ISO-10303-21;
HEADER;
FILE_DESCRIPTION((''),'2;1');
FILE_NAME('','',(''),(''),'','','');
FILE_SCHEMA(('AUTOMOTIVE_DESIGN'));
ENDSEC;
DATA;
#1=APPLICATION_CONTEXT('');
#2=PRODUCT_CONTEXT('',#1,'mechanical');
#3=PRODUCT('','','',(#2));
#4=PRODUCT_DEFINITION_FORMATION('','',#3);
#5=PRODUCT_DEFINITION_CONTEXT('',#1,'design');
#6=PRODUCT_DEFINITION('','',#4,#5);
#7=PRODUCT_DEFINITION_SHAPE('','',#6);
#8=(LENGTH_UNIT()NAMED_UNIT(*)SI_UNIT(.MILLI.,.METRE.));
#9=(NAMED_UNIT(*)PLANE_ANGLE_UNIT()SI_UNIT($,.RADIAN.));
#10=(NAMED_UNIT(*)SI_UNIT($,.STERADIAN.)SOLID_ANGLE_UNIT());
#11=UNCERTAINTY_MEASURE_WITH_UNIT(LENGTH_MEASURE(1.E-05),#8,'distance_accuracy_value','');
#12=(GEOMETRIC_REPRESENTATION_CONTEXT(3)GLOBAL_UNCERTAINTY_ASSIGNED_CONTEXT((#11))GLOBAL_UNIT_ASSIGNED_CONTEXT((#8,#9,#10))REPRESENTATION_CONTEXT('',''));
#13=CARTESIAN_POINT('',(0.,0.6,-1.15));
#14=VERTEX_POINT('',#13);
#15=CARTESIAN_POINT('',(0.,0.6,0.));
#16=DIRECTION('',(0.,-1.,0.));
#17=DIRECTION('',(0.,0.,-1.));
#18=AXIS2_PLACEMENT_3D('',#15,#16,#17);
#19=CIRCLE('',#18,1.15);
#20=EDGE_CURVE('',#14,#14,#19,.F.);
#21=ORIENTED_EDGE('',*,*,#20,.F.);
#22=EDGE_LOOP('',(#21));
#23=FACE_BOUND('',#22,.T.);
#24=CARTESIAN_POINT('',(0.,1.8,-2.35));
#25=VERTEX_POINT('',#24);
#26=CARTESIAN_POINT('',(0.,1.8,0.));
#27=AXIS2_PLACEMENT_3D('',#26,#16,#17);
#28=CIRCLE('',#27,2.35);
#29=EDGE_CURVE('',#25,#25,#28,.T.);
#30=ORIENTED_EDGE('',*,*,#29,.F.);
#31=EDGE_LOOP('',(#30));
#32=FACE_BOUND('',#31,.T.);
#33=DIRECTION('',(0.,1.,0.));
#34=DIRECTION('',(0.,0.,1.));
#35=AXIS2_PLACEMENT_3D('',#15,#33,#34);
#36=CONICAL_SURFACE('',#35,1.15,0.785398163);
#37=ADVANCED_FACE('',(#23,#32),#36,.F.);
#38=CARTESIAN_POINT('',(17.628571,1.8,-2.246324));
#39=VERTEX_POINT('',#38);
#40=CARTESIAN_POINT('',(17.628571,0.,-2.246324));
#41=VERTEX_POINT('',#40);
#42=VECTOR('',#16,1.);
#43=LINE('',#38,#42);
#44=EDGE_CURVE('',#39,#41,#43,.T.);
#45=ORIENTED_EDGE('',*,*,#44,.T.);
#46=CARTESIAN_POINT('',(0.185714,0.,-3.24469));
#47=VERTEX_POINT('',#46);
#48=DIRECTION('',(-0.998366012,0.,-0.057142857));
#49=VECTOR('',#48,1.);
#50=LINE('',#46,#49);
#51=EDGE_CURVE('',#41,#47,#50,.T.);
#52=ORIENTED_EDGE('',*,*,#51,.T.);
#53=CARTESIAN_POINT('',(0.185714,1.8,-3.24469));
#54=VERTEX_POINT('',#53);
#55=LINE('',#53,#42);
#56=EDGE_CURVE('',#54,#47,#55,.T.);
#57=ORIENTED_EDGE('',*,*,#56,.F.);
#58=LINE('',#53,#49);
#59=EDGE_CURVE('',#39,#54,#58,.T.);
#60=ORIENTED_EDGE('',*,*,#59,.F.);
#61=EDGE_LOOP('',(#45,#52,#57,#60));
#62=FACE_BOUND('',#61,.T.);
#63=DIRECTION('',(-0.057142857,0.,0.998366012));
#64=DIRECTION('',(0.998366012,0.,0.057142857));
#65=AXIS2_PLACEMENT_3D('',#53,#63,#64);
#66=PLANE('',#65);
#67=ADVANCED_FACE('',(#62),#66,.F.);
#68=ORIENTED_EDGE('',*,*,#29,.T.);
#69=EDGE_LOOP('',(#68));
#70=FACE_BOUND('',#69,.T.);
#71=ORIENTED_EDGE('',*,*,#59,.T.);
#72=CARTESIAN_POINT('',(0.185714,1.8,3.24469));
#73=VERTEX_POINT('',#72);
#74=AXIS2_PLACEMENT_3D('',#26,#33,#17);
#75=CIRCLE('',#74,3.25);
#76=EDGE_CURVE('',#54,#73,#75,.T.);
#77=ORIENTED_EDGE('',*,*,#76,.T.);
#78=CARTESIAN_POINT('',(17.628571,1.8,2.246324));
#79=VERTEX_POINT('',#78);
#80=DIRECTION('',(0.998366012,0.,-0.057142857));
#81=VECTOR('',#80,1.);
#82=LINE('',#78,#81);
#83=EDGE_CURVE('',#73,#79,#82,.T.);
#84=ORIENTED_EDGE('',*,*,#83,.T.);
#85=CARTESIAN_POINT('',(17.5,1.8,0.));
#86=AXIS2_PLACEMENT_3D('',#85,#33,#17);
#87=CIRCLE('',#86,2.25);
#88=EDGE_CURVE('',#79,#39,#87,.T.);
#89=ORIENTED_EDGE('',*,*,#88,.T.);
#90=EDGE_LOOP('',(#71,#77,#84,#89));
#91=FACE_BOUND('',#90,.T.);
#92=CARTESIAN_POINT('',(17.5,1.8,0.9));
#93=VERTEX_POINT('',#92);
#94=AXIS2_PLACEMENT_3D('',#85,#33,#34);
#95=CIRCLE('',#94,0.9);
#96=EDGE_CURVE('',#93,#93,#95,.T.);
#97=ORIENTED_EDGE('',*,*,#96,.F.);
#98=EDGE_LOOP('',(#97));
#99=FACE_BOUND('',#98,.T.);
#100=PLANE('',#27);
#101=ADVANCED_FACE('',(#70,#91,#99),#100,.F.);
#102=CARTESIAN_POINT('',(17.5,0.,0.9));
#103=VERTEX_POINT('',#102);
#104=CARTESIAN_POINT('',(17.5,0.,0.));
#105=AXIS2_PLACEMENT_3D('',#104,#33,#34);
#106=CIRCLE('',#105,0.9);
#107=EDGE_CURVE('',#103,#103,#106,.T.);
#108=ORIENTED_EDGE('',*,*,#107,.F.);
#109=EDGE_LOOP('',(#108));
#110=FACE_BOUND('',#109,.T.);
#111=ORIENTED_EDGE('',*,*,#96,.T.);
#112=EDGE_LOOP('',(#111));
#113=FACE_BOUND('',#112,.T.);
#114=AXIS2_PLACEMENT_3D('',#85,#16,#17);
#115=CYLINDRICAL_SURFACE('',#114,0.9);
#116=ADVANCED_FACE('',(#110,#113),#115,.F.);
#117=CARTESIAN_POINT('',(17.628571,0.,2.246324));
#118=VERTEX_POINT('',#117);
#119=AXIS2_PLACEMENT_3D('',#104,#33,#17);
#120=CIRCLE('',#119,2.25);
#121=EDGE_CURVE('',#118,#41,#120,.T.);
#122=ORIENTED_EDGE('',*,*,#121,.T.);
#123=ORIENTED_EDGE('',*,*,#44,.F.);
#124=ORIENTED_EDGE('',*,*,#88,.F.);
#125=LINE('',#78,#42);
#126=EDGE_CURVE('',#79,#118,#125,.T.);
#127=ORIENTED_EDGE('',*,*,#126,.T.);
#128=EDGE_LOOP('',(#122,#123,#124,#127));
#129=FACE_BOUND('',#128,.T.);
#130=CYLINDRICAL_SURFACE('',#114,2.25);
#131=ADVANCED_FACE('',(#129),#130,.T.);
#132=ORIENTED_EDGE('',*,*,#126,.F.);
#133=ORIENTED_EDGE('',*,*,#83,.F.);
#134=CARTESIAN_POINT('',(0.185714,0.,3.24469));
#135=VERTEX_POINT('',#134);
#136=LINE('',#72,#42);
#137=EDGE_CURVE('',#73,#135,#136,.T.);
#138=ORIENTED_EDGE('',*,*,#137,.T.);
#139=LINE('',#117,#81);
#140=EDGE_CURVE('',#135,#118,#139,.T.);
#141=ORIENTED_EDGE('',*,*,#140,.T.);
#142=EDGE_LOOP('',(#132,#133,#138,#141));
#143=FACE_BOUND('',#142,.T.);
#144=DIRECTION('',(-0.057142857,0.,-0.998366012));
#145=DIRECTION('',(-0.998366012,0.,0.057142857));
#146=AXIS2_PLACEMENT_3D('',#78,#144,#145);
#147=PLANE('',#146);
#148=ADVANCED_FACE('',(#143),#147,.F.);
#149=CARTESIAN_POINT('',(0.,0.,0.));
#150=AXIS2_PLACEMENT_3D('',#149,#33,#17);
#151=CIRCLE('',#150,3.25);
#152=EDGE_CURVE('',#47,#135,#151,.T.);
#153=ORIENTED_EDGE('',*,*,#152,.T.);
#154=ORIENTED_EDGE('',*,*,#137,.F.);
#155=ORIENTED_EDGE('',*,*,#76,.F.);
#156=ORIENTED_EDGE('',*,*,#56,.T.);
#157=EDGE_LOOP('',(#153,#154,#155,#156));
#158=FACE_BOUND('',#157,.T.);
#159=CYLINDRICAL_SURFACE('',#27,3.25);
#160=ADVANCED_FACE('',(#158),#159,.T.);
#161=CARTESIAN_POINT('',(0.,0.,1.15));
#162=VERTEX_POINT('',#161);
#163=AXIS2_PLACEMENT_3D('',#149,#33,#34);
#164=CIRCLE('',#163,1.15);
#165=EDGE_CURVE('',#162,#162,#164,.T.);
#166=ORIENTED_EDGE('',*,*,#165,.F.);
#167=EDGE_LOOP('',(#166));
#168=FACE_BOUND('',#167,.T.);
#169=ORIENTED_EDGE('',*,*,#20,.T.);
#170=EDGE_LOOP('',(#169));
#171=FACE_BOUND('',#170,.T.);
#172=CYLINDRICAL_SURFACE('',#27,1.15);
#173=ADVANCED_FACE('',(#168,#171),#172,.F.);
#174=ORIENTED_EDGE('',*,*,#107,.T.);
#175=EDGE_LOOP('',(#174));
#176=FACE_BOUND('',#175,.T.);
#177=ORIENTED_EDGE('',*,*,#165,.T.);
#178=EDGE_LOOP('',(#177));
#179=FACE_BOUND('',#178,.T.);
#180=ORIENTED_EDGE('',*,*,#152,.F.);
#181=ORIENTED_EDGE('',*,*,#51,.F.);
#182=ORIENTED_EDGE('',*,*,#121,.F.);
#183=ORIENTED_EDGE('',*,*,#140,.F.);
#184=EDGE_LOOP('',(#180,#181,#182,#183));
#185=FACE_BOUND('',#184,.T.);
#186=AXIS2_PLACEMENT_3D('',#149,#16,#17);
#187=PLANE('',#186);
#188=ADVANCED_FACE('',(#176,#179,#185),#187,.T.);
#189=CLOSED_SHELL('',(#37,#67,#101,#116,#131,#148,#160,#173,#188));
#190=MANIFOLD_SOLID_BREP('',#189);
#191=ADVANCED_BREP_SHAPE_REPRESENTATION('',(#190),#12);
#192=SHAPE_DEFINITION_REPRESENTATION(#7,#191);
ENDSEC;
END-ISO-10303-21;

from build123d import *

# Parameters (mm, degrees)
SKETCH_1_R      = 1.15
SKETCH_1_R_2    = 0.9
EXTRUDE_1_DEPTH = 1.8
CHAMFER_1_SIZE  = 1.2


with BuildPart() as part:
    # Эскиз1 → Бобышка-Вытянуть1 (new body)
    with BuildSketch(Plane(origin=(0, 0, 0), x_dir=(1, 0, 0), z_dir=(0, 1, 0))):
        with BuildLine():
            Line((0.185714286, 3.244689539), (17.628571429, 2.246323527))
            ThreePointArc((17.628571429, 2.246323527), (19.75, 0), (17.628571429, -2.246323527))
            Line((17.628571429, -2.246323527), (0.185714286, -3.244689539))
            ThreePointArc((0.185714286, -3.244689539), (-3.25, 0), (0.185714286, 3.244689539))
        make_face()
        Circle(SKETCH_1_R, mode=Mode.SUBTRACT)
        with Locations((17.5, 0)):
            Circle(SKETCH_1_R_2, mode=Mode.SUBTRACT)
    extrude(amount=EXTRUDE_1_DEPTH)

    # Фаска1
    chamfer_1_edges = [part.edges().sort_by_distance(p)[0] for p in [
        (-1.15, 1.8, 0),
    ]]
    chamfer(chamfer_1_edges, length=CHAMFER_1_SIZE)


solid = part.part
